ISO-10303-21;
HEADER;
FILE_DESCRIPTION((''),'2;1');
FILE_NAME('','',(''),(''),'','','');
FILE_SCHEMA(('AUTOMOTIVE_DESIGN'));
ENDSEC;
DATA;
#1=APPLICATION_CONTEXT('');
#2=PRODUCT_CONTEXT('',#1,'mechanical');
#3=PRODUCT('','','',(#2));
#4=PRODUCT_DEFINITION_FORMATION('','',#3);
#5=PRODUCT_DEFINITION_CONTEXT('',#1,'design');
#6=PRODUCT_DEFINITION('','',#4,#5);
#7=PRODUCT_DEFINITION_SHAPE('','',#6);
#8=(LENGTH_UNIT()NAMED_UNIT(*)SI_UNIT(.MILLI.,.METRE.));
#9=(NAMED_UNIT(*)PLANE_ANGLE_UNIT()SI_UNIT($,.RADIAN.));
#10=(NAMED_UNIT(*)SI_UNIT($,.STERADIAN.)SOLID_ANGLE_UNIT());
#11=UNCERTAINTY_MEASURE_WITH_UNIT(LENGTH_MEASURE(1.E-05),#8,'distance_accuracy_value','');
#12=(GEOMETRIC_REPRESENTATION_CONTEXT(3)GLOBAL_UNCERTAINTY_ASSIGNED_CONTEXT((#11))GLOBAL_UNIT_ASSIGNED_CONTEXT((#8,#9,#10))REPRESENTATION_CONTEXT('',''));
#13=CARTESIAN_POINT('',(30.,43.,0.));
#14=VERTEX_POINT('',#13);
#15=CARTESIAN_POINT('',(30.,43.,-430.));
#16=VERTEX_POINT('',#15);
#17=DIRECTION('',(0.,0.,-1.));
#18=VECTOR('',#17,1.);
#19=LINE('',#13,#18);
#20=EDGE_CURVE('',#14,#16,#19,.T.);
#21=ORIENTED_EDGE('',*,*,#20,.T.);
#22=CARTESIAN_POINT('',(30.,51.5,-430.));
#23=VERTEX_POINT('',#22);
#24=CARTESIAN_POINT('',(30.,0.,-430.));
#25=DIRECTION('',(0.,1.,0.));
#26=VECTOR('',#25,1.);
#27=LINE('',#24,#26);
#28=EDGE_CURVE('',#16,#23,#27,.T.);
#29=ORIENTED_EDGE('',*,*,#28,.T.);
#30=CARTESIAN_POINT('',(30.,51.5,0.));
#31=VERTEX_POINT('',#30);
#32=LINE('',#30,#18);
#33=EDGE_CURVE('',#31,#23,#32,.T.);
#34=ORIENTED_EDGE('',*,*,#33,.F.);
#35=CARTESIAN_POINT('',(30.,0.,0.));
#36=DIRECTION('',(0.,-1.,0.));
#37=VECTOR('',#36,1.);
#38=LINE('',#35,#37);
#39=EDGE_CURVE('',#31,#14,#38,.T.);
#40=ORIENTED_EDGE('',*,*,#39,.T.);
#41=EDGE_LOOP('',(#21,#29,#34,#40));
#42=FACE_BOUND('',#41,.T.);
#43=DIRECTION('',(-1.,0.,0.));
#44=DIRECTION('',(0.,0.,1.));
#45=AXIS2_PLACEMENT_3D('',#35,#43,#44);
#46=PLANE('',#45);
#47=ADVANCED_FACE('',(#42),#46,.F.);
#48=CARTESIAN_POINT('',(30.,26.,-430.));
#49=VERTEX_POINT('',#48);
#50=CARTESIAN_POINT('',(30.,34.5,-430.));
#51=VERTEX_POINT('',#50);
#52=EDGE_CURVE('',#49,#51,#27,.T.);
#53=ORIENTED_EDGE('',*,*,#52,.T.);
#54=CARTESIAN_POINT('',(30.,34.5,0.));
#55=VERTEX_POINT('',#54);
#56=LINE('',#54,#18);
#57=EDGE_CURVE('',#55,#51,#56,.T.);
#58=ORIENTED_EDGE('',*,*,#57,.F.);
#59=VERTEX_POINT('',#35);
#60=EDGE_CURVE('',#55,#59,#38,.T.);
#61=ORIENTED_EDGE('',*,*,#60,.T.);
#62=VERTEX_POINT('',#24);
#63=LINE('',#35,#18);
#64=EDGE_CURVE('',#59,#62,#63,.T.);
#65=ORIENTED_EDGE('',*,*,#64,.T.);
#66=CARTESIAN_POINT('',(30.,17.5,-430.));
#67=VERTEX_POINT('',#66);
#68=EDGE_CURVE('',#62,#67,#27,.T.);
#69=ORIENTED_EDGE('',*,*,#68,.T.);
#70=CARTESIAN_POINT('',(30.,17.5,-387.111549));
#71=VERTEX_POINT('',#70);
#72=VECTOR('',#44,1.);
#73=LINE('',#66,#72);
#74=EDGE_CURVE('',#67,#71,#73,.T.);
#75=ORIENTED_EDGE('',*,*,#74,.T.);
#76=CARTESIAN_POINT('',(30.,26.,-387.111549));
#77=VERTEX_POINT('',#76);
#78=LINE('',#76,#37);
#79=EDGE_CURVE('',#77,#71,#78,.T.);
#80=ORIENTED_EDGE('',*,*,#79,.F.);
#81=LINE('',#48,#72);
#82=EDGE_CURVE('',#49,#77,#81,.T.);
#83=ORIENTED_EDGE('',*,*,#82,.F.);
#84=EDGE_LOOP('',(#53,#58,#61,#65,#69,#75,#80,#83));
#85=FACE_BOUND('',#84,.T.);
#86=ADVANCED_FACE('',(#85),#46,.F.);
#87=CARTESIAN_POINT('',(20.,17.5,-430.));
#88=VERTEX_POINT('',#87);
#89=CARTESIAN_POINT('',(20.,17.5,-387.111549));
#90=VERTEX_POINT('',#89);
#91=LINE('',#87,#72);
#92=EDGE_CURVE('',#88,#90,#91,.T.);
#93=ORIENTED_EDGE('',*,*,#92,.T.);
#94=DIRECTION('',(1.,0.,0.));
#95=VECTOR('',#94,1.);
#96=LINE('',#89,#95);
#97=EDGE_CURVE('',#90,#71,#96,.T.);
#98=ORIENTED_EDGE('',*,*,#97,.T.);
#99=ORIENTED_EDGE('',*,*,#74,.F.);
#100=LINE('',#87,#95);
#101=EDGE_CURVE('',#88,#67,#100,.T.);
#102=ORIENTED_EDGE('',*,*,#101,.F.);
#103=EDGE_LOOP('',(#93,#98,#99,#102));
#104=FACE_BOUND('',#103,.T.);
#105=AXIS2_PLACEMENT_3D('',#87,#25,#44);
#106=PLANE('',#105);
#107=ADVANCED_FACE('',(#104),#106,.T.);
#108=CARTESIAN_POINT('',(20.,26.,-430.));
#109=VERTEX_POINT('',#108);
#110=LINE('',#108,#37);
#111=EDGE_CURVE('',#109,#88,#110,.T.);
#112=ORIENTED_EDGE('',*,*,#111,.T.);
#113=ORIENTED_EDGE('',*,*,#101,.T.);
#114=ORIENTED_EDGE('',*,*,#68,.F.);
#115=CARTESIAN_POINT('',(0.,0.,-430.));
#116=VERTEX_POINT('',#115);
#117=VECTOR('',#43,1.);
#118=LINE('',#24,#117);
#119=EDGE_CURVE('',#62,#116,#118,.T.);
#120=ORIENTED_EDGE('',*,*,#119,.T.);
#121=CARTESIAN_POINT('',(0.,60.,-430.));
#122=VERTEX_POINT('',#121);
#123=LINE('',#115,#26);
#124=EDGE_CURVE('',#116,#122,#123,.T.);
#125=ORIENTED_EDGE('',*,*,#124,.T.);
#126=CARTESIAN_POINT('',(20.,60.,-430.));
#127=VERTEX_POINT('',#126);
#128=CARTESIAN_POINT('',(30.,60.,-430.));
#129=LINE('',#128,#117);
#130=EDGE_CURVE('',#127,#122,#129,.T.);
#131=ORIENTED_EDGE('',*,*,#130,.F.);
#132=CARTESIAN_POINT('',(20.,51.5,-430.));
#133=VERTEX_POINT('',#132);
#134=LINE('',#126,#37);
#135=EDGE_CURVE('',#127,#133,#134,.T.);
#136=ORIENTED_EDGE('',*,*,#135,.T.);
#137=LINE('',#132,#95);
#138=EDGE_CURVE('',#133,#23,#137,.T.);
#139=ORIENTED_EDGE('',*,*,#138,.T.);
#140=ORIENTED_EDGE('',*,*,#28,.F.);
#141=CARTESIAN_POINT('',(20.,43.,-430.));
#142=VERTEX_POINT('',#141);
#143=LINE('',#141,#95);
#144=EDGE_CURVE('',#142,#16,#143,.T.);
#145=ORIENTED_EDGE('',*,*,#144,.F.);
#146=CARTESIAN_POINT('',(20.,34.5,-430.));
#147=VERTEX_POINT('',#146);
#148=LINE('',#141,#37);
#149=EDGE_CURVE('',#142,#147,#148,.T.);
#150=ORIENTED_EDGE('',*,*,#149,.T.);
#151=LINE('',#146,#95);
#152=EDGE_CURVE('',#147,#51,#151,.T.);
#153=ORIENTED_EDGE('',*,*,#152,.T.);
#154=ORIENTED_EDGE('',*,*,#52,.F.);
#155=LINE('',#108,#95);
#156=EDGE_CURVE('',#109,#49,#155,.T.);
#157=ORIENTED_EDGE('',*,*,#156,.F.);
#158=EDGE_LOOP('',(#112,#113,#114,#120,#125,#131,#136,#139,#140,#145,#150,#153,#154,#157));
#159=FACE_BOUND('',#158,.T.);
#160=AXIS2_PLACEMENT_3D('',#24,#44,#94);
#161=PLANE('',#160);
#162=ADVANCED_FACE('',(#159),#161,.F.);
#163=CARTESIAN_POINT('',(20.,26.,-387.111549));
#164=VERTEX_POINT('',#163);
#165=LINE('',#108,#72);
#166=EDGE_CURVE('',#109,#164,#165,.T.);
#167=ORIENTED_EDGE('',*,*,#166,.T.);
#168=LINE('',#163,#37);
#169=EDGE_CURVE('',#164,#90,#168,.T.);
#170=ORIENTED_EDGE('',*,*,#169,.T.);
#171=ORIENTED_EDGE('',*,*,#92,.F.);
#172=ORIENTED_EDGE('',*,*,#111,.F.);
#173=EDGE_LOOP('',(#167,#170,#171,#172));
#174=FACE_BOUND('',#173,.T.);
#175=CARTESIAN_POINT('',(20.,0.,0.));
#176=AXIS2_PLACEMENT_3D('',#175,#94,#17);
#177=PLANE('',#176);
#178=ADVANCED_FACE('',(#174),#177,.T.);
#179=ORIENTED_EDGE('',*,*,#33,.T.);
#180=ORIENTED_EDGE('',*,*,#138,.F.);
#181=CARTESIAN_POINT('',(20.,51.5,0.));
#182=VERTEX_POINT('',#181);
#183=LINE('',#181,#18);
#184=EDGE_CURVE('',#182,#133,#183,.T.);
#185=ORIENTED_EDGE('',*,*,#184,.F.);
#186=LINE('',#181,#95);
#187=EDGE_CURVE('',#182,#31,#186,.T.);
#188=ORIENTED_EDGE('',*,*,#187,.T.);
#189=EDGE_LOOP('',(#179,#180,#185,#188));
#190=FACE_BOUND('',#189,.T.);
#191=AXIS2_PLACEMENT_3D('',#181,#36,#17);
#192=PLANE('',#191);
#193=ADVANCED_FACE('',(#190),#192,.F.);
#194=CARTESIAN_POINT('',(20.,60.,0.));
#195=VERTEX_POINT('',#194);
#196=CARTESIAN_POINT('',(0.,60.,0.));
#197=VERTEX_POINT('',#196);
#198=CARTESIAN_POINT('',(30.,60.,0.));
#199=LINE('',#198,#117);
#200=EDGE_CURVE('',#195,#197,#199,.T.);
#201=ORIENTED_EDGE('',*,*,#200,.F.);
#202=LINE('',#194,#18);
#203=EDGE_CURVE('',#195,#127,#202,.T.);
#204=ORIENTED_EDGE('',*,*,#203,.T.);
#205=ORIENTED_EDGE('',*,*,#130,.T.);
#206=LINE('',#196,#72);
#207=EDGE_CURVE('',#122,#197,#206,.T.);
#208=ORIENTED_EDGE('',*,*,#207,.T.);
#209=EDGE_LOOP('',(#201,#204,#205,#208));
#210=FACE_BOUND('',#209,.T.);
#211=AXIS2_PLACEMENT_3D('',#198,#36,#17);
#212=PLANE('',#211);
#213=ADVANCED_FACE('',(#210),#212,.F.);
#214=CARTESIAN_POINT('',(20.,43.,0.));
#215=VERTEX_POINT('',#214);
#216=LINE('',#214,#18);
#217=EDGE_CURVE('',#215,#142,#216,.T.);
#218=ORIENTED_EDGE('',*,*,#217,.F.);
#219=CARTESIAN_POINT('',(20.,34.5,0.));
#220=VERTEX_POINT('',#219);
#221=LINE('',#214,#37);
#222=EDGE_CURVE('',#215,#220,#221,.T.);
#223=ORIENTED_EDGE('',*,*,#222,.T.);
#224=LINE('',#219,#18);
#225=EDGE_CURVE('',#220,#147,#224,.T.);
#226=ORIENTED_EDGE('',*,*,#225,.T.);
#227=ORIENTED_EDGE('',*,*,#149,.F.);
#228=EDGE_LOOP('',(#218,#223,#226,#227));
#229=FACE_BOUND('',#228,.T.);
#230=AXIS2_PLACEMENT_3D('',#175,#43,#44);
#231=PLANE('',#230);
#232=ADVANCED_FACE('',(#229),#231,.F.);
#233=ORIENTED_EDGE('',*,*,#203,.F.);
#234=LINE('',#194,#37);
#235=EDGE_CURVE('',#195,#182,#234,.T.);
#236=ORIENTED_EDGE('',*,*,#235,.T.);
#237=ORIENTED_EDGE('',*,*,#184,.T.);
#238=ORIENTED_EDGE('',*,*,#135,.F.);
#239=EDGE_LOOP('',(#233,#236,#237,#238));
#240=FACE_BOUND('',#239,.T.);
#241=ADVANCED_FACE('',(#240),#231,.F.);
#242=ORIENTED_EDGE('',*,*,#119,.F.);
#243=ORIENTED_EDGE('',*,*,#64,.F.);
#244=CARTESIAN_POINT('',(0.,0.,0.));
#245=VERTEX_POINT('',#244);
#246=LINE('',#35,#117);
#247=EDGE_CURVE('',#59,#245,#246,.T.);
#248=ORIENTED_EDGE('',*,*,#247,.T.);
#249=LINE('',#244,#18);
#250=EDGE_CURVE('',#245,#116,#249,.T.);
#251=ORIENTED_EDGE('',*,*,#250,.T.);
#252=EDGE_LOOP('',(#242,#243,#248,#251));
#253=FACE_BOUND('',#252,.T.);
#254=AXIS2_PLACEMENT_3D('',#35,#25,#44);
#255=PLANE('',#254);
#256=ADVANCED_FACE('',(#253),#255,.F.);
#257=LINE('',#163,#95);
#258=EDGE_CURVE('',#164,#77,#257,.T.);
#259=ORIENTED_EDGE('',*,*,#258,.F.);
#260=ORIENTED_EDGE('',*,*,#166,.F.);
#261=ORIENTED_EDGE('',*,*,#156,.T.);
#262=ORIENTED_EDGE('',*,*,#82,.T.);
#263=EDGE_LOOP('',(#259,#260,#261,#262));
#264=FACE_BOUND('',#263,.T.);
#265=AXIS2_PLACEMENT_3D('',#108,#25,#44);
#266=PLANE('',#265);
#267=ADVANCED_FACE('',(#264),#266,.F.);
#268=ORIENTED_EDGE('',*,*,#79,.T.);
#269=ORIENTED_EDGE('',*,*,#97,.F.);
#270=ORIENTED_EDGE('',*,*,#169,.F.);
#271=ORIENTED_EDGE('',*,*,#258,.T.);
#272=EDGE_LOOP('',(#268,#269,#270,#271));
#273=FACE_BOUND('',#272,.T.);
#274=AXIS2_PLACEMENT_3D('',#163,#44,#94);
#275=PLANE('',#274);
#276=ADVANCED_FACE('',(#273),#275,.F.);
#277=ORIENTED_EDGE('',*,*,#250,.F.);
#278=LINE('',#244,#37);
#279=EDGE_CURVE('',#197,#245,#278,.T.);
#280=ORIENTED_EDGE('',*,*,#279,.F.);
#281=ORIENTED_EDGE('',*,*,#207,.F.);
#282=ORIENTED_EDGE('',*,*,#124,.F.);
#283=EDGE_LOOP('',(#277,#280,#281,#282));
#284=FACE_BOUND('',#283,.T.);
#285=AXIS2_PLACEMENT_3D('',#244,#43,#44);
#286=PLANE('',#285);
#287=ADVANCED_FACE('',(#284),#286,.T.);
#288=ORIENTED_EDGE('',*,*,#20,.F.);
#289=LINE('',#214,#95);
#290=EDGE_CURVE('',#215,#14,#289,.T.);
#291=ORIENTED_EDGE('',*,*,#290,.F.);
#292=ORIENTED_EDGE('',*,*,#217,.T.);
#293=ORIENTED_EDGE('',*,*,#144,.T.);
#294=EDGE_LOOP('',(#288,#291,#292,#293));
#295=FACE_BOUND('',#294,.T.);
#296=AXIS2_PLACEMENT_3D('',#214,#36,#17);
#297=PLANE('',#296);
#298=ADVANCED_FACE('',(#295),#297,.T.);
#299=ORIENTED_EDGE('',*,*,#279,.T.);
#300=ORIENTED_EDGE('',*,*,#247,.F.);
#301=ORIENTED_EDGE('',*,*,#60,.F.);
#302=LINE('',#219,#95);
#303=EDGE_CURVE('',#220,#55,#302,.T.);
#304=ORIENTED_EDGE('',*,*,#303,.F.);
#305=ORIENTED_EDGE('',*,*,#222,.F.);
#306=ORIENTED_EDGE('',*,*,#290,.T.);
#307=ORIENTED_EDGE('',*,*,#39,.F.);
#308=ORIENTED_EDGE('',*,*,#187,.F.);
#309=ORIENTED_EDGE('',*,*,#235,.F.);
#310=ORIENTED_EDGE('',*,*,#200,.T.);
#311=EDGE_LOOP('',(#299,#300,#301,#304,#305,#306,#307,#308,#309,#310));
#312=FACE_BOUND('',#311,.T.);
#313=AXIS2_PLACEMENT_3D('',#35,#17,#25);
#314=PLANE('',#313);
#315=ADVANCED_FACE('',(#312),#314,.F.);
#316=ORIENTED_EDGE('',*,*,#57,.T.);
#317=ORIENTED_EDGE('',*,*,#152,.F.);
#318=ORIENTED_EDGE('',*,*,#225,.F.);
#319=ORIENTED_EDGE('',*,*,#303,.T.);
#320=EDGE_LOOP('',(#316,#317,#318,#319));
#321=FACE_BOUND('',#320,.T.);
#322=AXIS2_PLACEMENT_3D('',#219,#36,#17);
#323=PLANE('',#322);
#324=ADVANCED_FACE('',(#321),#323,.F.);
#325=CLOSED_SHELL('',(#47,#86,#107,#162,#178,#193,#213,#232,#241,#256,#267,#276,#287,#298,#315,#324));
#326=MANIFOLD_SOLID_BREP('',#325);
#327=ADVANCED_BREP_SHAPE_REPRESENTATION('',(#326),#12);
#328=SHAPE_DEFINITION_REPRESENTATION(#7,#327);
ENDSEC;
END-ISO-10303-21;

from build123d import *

# Parameters (mm, degrees)
SKETCH1_W           = 430
SKETCH1_H           = 60
BOSS_EXTRUDE1_DEPTH = 30
SKETCH2_W           = 430
SKETCH2_H           = 8.5
SKETCH2_W_2         = 42.888451377
CUT_EXTRUDE1_DEPTH  = 10


with BuildPart() as part:
    # Sketch1 → Boss-Extrude1 (new body)
    with BuildSketch(Plane(origin=(0, 0, 0), x_dir=(0, 0, -1), z_dir=(1, 0, 0))):
        with Locations((215, 30)):
            Rectangle(SKETCH1_W, SKETCH1_H)
    extrude(amount=BOSS_EXTRUDE1_DEPTH)

    # Sketch2 → Cut-Extrude1 (cut)
    with BuildSketch(Plane(origin=(30, 0, 0), x_dir=(0, 0, -1), z_dir=(1, 0, 0))):
        with Locations((215, 55.75)):
            Rectangle(SKETCH2_W, SKETCH2_H)
        with Locations((215, 38.75)):
            Rectangle(SKETCH2_W, SKETCH2_H)
        with Locations((408.555774312, 21.75)):
            Rectangle(SKETCH2_W_2, SKETCH2_H)
    extrude(amount=-CUT_EXTRUDE1_DEPTH, mode=Mode.SUBTRACT)


solid = part.part
